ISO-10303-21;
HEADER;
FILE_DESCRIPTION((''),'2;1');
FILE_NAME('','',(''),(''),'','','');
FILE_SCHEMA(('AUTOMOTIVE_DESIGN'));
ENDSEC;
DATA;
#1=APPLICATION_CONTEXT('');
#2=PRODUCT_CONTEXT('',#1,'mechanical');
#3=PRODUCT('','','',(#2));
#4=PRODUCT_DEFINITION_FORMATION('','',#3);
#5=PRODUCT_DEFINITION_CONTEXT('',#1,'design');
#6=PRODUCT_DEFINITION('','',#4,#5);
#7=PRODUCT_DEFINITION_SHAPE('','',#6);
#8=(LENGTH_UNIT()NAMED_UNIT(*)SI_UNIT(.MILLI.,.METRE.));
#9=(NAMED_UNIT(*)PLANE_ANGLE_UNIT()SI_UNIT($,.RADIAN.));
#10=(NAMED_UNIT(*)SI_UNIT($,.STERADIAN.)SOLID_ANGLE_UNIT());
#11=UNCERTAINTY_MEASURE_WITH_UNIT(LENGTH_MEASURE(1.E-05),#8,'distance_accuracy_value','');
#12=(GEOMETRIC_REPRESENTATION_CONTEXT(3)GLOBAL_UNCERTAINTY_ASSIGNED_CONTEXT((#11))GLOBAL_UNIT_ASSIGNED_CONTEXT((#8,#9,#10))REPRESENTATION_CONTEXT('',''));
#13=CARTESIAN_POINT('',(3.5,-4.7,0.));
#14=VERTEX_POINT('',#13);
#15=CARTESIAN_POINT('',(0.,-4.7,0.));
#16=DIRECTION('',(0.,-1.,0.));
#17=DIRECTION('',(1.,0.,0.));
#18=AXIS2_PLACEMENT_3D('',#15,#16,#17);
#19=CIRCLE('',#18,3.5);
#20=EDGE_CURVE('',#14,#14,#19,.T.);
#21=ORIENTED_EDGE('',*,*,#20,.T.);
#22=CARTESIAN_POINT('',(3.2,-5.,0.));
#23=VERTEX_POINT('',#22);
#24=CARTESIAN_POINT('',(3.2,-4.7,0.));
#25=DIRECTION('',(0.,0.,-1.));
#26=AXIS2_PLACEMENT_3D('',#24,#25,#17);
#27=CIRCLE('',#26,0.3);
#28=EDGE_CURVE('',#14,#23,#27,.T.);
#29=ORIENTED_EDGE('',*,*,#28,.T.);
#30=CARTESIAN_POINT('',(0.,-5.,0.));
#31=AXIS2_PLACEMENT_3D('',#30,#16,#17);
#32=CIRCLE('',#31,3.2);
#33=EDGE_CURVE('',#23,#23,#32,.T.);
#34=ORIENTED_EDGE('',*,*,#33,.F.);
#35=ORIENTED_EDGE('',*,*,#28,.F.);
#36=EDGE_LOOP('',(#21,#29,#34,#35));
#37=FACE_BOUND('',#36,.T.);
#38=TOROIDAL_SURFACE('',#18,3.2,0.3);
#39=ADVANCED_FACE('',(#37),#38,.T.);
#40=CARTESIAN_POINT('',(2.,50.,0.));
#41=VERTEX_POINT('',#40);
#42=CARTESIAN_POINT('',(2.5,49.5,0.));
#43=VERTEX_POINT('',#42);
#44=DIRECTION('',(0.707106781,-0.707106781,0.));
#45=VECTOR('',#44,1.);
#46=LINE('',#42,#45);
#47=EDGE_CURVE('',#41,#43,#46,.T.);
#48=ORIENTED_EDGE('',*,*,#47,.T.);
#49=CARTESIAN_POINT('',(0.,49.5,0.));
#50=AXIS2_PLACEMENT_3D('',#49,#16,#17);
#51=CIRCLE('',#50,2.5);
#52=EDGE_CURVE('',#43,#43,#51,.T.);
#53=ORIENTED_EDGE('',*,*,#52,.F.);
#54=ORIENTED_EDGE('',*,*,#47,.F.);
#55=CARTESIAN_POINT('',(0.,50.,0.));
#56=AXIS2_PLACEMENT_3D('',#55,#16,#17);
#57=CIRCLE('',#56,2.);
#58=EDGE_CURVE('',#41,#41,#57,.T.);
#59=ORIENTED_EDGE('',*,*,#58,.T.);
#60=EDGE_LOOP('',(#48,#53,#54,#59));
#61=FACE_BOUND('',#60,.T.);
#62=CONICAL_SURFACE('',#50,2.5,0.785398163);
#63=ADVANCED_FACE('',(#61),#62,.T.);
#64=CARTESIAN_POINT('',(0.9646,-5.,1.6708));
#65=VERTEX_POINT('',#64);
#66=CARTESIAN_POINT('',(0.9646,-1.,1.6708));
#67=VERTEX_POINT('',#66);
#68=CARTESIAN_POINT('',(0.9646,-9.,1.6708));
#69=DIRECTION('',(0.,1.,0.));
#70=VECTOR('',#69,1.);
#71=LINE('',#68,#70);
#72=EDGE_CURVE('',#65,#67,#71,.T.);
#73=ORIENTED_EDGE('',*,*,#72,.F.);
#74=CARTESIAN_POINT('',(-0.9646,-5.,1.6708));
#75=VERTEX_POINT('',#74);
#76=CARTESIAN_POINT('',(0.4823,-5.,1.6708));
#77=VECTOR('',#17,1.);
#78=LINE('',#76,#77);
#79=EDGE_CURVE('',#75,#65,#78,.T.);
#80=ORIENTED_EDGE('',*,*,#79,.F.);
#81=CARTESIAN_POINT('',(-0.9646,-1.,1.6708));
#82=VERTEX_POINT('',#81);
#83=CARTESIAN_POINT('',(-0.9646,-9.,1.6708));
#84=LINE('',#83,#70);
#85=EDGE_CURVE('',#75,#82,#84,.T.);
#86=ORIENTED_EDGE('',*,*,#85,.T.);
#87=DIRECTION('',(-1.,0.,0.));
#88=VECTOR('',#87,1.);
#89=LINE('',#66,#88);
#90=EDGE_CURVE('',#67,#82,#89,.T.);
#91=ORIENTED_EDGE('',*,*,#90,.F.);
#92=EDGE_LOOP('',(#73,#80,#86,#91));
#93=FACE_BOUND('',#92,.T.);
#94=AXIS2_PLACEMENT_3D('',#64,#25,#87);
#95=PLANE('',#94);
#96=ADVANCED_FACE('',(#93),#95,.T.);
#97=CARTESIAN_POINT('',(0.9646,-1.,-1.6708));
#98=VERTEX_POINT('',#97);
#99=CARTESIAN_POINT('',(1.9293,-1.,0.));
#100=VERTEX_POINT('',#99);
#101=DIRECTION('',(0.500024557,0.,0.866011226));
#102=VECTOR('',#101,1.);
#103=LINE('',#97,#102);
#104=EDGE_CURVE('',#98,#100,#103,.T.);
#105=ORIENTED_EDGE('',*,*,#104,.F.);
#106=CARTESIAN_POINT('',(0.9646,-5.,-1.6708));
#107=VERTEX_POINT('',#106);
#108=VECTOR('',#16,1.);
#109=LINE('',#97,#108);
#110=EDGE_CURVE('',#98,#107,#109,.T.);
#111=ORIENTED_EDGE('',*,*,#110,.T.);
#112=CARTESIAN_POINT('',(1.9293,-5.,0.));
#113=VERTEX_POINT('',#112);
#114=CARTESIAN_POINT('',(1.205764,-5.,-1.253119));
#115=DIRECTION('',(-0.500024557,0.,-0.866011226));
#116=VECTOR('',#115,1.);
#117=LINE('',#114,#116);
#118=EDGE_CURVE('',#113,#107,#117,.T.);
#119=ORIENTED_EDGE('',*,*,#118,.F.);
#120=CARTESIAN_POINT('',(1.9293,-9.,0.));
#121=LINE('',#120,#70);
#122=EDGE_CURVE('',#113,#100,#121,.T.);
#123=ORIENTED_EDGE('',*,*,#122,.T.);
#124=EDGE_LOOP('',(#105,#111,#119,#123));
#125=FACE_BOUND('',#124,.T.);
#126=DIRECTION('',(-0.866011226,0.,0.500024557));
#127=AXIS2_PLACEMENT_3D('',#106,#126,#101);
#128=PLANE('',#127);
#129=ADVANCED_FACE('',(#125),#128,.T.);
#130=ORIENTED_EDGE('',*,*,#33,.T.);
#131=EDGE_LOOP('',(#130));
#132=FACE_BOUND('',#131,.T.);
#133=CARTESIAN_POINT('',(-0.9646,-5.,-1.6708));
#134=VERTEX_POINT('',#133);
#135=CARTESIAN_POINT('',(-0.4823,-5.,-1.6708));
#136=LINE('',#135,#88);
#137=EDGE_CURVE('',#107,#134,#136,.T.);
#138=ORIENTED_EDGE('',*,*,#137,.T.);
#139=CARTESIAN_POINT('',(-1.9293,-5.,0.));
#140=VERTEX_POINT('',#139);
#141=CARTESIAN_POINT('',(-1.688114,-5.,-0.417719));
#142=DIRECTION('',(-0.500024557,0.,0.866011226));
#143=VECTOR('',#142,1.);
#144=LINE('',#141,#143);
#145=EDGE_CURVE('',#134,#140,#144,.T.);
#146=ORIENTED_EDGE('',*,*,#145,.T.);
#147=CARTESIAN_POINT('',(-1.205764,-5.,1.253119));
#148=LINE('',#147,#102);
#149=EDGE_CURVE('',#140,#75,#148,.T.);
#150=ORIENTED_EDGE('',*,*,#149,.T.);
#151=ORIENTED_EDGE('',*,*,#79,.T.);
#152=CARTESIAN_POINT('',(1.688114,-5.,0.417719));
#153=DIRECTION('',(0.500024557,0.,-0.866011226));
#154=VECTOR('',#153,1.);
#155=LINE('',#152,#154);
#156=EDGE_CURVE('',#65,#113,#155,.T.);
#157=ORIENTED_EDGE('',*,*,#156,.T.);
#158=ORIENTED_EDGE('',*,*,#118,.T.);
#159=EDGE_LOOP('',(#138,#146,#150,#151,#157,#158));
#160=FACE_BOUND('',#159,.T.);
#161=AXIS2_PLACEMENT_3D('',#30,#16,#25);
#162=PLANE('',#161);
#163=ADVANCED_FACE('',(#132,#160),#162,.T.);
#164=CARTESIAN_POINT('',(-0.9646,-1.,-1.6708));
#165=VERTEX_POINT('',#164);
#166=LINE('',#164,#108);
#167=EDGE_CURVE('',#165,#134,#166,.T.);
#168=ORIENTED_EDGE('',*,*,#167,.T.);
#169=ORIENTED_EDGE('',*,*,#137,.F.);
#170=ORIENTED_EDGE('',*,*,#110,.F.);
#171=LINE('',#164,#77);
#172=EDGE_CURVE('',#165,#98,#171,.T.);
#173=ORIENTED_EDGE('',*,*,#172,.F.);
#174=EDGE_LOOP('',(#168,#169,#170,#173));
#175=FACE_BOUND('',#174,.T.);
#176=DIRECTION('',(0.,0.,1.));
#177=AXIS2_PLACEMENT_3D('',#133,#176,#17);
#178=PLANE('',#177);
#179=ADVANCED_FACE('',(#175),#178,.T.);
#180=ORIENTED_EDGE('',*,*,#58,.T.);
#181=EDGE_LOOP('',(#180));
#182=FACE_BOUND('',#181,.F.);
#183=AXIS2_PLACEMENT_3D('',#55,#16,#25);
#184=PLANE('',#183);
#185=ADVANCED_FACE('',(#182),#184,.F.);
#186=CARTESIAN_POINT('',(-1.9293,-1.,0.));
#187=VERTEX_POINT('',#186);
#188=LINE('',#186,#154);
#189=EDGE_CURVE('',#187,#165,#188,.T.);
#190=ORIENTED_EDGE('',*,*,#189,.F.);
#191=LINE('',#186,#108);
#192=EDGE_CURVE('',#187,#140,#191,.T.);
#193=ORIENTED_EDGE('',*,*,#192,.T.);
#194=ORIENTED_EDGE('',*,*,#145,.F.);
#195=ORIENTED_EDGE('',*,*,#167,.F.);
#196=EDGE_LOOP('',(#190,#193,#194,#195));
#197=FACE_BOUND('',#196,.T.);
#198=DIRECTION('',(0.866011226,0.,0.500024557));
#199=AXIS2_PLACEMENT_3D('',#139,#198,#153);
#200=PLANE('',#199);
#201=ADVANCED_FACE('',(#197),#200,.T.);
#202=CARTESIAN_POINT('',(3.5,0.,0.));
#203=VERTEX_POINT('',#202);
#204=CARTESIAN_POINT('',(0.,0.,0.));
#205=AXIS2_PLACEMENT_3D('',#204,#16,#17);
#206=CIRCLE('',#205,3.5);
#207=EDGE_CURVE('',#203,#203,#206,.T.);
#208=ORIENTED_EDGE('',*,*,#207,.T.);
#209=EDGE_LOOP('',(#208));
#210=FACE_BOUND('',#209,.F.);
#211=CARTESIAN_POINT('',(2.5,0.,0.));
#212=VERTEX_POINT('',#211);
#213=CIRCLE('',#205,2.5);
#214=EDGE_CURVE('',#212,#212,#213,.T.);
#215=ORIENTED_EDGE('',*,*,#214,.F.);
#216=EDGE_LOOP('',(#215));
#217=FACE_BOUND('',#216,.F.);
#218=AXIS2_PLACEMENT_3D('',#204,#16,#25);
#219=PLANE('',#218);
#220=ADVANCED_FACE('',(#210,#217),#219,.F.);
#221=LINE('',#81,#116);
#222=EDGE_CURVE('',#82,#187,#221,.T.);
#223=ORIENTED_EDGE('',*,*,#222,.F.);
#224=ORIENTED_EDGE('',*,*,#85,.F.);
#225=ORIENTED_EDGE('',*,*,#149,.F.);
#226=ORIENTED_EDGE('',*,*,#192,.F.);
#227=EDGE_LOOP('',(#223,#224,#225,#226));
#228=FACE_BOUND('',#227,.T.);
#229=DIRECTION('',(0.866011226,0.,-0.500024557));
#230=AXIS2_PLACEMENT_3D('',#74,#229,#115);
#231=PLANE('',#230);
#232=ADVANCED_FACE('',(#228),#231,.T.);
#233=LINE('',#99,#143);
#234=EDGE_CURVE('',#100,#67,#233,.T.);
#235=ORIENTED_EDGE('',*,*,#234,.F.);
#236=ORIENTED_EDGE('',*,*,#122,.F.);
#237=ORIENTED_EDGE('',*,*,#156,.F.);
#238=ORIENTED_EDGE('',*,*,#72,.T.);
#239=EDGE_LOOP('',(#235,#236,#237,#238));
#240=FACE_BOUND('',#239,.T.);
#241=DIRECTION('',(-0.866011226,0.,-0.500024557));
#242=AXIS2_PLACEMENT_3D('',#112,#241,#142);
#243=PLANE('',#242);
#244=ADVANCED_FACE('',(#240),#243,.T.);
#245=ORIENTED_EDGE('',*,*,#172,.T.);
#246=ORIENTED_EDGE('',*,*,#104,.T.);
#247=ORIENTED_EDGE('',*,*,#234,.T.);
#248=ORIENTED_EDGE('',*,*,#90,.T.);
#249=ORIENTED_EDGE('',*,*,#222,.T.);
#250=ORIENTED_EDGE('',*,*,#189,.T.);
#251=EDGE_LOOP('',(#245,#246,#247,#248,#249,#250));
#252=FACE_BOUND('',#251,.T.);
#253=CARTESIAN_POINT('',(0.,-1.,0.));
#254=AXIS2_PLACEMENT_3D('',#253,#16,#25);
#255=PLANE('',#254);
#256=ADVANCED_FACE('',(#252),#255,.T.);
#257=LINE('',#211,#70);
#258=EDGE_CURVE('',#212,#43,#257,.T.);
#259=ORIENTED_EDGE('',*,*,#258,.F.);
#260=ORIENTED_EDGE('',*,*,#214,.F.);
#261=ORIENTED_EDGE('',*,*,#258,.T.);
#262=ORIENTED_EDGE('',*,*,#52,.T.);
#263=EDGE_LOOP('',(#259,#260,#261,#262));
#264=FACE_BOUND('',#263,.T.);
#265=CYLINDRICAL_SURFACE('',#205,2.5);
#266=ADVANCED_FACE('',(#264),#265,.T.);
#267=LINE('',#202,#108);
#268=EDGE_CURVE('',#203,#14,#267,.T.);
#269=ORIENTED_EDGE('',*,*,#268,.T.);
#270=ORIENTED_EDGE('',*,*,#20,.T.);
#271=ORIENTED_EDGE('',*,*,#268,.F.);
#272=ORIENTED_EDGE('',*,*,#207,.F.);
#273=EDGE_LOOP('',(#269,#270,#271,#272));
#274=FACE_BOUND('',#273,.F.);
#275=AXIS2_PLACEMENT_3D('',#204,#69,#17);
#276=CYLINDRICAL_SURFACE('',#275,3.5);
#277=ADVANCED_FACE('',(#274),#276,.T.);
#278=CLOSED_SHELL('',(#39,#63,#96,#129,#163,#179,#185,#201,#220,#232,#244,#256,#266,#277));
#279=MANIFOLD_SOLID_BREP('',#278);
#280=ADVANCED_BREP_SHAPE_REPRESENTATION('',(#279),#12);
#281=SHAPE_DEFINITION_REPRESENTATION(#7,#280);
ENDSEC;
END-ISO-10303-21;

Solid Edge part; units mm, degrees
sketch "Sketch1" plane through (0, 0, 0) normal (0, -1, 0) x (1, 0, 0)
  circle A0 centre (0, 0) radius 2.5
extrude "Protrusion1" add sketch "Sketch1" against normal blind 50
sketch "Sketch2" plane through (0, 0, 0) normal (0, -1, 0) x (1, 0, 0)
  circle A0 centre (0, 0) radius 3.5
extrude "ExtrudedProtrusion_2" add sketch "Sketch2" along normal blind 5
fillet "Round_1" radius 0.3 1 edges at (-3.5, -5, 0)
chamfer "Chamfer_1" distance 0.5 angle 45 1 edges at (-2.5, 50, 0) measured on face at (-1.6167, 50, 1.7167)
sketch "Sketch3" plane through (0, -5, 0) normal (0, -1, 0) x (1, 0, 0)
  line L0 (-0.9646, 1.6708) -> (-1.9293, 0)
  line L1 (-1.9293, 0) -> (-0.9646, -1.6708)
  line L2 (-0.9646, -1.6708) -> (0.9646, -1.6708)
  line L3 (0.9646, -1.6708) -> (1.9293, 0)
  line L4 (1.9293, 0) -> (0.9646, 1.6708)
  line L5 (0.9646, 1.6708) -> (-0.9646, 1.6708)
extrude "ExtrudedCutout_1" cut sketch "Sketch3" along normal mid plane 8
cosmetic_thread "Thread1" size "M5"
